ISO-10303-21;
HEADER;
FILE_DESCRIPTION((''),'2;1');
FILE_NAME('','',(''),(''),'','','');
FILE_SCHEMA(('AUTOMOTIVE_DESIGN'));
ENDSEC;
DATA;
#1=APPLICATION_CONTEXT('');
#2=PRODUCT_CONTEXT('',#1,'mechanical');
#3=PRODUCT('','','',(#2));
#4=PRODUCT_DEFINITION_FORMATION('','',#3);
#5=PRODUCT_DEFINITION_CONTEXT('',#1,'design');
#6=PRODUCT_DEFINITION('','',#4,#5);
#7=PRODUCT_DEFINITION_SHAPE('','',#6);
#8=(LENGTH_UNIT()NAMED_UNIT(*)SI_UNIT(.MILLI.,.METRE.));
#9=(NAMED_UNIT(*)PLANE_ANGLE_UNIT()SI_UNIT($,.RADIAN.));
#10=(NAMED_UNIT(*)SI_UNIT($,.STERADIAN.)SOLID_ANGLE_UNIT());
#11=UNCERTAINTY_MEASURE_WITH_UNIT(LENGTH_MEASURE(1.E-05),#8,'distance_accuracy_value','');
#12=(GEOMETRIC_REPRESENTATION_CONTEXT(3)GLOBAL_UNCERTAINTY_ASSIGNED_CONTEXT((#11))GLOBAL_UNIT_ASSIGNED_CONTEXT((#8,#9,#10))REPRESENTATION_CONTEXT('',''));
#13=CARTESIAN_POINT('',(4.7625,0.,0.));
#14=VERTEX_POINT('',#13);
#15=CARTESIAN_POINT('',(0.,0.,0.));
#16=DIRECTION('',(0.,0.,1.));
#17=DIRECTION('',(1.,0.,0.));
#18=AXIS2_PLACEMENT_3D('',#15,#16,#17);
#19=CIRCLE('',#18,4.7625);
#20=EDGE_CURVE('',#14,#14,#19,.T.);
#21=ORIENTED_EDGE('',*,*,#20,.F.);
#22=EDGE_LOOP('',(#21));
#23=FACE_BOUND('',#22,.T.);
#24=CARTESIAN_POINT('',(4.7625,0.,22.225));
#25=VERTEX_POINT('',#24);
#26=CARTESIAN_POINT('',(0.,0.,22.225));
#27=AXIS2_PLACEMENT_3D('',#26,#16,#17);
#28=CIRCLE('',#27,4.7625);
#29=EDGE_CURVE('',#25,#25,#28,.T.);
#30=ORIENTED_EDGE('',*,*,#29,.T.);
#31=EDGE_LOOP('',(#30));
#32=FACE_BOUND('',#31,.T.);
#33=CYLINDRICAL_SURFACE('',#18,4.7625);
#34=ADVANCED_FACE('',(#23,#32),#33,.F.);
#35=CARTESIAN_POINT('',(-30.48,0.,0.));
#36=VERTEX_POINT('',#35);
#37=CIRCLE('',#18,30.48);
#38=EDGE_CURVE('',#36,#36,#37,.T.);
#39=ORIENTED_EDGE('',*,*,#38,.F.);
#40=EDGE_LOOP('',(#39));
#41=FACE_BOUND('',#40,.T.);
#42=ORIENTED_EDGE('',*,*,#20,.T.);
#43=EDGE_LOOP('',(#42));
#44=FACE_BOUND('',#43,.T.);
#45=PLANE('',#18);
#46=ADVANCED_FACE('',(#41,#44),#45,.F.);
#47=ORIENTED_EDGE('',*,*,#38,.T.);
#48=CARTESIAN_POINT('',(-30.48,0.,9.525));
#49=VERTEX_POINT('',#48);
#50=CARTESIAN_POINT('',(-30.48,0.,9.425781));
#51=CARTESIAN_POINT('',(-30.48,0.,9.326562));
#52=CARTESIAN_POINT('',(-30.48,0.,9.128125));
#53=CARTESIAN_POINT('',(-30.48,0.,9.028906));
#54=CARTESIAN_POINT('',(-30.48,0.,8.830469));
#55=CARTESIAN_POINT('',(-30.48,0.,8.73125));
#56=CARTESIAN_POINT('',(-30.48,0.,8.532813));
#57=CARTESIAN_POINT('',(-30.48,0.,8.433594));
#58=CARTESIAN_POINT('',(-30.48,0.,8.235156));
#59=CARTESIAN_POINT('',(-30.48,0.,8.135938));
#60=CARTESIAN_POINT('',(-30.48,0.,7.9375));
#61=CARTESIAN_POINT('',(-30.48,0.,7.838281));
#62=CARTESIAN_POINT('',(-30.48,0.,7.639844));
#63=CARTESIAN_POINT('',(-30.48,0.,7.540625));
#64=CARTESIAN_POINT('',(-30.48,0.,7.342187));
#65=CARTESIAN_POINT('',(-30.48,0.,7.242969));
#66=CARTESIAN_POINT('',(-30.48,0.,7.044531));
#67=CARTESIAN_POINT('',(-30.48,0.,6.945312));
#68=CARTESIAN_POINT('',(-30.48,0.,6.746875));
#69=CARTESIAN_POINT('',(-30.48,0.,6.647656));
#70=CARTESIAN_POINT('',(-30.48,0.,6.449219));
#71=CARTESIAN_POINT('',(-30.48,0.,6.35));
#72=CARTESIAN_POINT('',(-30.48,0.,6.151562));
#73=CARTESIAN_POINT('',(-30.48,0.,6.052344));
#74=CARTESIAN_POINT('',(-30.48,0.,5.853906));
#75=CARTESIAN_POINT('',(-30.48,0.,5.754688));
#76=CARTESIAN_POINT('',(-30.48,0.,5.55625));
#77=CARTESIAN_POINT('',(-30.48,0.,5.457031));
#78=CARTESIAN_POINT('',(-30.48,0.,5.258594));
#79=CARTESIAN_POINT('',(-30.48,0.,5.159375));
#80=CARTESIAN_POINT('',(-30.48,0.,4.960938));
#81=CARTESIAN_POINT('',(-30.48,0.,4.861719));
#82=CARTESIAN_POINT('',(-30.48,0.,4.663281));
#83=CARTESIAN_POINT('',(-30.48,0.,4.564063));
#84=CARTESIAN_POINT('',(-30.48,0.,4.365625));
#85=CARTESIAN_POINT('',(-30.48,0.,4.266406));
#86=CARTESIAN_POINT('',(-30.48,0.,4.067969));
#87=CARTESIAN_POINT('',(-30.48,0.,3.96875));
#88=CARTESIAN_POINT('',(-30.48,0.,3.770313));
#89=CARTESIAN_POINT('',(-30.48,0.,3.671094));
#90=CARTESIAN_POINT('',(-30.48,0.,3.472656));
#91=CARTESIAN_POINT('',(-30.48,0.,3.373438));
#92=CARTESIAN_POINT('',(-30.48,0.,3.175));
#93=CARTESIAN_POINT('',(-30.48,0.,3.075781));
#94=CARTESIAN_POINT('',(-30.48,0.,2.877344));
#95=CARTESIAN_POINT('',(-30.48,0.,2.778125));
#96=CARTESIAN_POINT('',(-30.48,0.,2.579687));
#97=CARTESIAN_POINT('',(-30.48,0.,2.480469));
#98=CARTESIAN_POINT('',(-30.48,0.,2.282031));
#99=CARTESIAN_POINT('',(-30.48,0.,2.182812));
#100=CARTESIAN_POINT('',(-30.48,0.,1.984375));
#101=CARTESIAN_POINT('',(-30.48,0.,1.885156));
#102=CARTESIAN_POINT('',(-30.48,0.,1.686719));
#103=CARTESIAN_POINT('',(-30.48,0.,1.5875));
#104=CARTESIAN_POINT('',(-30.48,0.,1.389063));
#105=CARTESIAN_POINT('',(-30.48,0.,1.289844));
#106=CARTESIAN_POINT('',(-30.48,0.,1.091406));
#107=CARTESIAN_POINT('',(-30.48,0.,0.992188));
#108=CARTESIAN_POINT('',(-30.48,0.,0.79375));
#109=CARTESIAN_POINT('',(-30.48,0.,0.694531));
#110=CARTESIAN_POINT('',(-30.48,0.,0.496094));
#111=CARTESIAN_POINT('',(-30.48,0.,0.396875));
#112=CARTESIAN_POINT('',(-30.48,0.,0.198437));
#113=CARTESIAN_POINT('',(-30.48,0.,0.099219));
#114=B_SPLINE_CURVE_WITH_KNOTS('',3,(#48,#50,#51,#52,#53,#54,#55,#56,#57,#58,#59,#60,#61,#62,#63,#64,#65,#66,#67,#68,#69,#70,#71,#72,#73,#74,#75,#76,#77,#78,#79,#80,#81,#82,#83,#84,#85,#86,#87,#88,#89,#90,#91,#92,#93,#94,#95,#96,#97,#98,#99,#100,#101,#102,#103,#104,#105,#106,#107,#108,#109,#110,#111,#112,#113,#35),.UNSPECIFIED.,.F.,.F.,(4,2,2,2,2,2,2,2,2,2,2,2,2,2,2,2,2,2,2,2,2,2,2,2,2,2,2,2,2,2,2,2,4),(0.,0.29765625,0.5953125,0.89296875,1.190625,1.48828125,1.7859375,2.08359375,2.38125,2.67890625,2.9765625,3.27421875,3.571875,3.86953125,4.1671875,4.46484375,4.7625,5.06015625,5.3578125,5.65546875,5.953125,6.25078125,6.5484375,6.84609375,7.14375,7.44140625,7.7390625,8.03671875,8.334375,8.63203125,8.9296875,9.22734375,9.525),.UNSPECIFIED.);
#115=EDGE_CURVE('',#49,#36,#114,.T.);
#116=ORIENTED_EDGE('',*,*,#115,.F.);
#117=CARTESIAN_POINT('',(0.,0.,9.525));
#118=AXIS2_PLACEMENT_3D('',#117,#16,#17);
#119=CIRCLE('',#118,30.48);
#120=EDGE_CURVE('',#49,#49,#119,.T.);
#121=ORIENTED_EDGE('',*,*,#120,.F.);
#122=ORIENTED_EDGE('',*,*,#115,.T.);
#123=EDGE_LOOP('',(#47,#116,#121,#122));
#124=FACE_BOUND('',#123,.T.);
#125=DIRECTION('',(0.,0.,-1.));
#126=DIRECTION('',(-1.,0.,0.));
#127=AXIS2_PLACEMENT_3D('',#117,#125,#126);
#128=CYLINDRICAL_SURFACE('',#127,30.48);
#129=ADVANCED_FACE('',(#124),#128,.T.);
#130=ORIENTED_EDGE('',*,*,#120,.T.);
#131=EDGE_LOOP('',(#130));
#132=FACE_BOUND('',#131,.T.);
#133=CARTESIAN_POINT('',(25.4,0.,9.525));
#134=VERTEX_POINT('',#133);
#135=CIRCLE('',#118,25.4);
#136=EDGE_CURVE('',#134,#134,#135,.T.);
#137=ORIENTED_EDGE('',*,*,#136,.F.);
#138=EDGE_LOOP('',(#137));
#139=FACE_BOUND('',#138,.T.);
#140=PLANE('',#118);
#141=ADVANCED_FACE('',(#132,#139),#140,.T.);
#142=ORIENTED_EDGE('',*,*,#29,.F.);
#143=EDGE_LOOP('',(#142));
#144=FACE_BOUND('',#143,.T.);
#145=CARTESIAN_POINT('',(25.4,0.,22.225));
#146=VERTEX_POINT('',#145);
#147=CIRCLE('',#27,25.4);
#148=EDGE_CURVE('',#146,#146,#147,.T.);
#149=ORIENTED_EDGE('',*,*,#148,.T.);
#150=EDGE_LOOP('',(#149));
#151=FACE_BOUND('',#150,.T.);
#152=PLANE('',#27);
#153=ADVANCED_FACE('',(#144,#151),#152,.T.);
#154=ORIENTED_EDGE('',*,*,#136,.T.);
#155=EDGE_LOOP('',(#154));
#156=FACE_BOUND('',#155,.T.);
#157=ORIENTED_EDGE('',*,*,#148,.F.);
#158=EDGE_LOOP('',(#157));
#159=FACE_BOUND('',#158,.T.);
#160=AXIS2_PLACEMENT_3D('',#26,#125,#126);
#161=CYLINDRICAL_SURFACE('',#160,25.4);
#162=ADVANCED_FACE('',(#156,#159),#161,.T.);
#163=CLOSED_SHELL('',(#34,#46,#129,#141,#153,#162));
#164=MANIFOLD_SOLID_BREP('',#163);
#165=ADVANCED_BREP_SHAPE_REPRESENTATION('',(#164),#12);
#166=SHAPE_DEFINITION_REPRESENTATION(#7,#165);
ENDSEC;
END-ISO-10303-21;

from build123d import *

# Parameters (mm, degrees)
SKETCH1_R           = 30.48
BOSS_EXTRUDE1_DEPTH = 9.525
SKETCH2_R           = 25.4
BOSS_EXTRUDE2_DEPTH = 12.7
SKETCH3_R           = 4.7625
CUT_EXTRUDE1_DEPTH  = 49.497540402


with BuildPart() as part:
    # Sketch1 → Boss-Extrude1 (new body)
    with BuildSketch(Plane.XY):
        with Locations(Location((0, 0, 0), (0, 0, 180))):
            Circle(SKETCH1_R)
    extrude(amount=BOSS_EXTRUDE1_DEPTH)

    # Sketch2 → Boss-Extrude2 (add)
    with BuildSketch(Plane.XY.offset(9.525)):
        Circle(SKETCH2_R)
    extrude(amount=BOSS_EXTRUDE2_DEPTH)

    # Sketch3 → Cut-Extrude1 (cut, through all)
    with BuildSketch(Plane.XY.offset(22.225)):
        Circle(SKETCH3_R)
    extrude(amount=-CUT_EXTRUDE1_DEPTH, mode=Mode.SUBTRACT)


solid = part.part
